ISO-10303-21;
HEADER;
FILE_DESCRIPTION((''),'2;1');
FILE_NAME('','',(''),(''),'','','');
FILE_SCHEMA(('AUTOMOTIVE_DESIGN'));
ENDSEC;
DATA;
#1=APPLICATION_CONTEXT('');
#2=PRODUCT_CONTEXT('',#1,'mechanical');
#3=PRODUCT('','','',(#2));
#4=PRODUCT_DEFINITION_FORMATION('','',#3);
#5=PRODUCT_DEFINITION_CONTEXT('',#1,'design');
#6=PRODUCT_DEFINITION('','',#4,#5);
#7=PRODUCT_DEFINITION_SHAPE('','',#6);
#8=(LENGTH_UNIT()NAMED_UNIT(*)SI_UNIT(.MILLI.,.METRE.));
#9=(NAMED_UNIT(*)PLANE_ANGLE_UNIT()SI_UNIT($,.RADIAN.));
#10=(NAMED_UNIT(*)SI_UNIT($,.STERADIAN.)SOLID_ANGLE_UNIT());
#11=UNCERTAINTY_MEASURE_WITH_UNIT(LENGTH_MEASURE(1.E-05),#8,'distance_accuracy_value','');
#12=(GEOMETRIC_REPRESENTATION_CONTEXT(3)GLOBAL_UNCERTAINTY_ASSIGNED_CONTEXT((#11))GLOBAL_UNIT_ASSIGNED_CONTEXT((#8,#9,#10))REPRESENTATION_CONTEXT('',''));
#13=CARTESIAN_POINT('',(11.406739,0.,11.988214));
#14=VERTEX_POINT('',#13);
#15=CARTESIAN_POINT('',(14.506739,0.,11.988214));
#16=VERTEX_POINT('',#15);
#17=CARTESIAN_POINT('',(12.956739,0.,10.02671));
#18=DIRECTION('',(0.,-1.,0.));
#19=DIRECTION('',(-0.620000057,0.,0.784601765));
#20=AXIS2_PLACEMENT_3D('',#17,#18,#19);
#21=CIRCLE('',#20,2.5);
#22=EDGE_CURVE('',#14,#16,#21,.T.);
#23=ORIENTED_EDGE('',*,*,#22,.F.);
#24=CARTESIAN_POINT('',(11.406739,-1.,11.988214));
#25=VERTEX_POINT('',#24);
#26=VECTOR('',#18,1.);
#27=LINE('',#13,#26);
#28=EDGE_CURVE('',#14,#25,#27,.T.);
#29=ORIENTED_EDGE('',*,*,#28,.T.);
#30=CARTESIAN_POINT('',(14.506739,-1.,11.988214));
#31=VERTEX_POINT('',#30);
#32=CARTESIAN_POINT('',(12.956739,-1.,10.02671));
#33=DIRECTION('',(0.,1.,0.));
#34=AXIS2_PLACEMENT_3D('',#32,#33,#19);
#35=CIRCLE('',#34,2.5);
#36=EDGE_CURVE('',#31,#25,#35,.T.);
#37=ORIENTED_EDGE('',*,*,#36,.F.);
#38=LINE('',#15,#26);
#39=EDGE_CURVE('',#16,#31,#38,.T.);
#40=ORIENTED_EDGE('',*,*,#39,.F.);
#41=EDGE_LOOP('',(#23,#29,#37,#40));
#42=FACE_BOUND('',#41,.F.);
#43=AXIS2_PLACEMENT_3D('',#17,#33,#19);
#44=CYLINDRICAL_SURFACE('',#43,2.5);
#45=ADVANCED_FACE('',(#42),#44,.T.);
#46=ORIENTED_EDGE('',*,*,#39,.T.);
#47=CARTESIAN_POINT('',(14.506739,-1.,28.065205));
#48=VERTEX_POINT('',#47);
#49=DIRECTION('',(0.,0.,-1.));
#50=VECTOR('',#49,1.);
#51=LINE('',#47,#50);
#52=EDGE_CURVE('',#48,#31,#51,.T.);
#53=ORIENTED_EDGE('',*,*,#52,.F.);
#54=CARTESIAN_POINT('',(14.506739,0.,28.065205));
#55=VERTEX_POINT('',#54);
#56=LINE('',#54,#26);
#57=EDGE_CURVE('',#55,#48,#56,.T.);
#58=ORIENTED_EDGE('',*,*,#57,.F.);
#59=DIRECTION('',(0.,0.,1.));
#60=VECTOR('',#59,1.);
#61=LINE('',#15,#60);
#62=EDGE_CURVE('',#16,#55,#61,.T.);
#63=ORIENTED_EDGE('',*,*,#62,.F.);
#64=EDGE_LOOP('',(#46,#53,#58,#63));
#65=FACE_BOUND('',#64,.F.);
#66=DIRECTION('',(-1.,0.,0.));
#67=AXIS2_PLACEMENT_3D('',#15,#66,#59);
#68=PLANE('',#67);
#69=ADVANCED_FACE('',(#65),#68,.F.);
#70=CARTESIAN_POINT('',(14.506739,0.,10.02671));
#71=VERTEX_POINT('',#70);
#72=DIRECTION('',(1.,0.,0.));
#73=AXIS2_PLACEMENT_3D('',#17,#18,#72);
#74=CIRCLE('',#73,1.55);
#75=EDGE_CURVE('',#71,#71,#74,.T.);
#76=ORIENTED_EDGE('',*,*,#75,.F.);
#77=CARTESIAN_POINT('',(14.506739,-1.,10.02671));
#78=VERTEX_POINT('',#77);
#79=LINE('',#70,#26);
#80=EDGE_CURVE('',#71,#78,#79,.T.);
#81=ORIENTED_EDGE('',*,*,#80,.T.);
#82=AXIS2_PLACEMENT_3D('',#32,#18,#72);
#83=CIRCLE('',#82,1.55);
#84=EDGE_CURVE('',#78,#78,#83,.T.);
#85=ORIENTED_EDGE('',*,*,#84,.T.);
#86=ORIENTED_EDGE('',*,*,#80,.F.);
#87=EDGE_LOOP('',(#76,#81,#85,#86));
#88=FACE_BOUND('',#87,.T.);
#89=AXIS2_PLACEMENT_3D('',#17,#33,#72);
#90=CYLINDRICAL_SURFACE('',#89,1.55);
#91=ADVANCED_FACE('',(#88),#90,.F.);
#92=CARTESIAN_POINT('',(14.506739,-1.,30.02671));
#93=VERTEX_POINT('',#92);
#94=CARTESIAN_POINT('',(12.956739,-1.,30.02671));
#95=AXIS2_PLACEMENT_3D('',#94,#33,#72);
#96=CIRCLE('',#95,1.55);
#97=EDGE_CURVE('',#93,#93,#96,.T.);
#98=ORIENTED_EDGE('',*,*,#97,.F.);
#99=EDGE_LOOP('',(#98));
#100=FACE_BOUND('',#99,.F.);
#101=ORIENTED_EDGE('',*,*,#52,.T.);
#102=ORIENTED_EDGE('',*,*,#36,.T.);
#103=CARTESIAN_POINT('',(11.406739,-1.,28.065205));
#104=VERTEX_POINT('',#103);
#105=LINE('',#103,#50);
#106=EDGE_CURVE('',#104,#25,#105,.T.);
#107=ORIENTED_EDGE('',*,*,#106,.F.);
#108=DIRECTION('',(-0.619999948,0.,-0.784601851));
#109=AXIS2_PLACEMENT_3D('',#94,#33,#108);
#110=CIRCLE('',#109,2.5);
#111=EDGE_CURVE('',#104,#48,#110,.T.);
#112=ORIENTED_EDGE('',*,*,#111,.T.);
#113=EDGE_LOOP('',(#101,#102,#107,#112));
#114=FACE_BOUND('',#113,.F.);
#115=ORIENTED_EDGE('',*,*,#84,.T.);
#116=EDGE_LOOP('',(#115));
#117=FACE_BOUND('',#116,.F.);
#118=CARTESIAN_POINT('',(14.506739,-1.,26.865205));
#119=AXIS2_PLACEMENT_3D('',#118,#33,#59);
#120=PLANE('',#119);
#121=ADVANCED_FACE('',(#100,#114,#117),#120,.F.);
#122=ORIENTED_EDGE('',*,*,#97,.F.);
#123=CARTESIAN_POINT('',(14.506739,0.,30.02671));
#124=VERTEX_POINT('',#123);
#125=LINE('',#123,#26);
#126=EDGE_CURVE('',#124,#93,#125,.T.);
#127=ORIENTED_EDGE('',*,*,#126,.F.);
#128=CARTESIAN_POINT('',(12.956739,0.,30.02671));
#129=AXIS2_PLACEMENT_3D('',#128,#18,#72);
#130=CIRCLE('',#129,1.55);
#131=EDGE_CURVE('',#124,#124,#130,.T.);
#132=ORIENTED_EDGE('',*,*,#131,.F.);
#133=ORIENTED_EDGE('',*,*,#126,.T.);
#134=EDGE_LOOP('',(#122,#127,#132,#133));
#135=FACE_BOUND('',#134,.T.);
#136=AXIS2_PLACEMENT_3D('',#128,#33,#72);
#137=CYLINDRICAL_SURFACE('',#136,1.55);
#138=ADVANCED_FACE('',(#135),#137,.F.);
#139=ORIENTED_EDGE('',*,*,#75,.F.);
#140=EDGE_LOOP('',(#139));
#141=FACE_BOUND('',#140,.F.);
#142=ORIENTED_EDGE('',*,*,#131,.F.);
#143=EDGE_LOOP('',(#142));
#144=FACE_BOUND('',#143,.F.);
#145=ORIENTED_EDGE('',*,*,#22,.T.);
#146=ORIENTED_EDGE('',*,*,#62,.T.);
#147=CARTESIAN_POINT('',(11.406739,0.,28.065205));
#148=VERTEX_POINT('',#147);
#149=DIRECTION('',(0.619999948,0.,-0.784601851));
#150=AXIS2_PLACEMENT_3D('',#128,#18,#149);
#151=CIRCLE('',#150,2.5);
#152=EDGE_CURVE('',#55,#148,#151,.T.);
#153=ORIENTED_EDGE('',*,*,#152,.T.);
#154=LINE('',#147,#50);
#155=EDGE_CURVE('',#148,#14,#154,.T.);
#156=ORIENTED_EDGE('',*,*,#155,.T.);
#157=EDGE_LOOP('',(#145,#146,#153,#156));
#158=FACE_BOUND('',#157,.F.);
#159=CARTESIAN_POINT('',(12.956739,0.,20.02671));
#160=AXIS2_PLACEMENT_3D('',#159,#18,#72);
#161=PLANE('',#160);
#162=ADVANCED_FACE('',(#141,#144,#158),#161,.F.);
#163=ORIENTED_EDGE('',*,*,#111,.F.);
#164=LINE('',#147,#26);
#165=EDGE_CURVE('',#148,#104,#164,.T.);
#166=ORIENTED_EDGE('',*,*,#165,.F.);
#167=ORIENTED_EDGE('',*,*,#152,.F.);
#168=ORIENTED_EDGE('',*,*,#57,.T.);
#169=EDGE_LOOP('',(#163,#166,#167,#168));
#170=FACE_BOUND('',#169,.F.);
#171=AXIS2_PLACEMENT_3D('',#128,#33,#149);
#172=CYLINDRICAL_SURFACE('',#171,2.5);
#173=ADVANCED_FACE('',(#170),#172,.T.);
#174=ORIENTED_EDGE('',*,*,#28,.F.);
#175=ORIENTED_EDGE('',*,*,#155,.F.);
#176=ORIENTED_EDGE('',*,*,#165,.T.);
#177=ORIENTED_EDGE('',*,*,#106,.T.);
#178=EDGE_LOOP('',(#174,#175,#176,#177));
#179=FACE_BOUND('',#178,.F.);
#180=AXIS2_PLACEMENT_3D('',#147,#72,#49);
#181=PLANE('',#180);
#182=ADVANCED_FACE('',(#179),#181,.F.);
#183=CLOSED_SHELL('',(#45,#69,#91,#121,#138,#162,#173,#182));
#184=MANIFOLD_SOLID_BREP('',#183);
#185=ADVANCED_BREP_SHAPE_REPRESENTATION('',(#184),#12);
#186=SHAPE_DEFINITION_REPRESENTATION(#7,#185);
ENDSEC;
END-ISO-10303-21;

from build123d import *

# Parameters (mm, degrees)
F0_R          = 1.55
F1_DEPTH      = 4.5
F2_W          = 2.5
F2_H          = 6.339147
F3_DEPTH      = 4.051
F3_DEPTH_BACK = 0.951
F4_W          = 15.761445
F4_H          = 34.727139
F4_R          = 1.55
F5_DEPTH      = 3.5


with BuildPart() as f1:
    # F0 (on Front) → F1 (new body)
    with BuildSketch(Plane.XZ):
        with BuildLine():
            Line((14.506739, 11.988214), (14.506739, 28.065205))
            ThreePointArc((14.506739, 28.065205), (12.956739, 32.52671), (11.406739, 28.065205))
            Line((11.406739, 28.065205), (11.406739, 11.988214))
            ThreePointArc((11.406739, 11.988214), (12.956739, 7.52671), (14.506739, 11.988214))
        make_face()
        with Locations((12.956739, 10.02671)):
            Circle(F0_R, mode=Mode.SUBTRACT)
        with Locations((12.956739, 30.02671)):
            Circle(F0_R, mode=Mode.SUBTRACT)
    extrude(amount=F1_DEPTH)

    # F2 (on face) → F3 (cut, two sides)
    with BuildSketch(Plane.YZ.offset(14.506739)) as f3_sk:
        with Locations((-2.25, 30.034779)):
            Rectangle(F2_W, F2_H)
    extrude(amount=-F3_DEPTH, mode=Mode.SUBTRACT)
    extrude(f3_sk.sketch, amount=-F3_DEPTH_BACK, mode=Mode.SUBTRACT)

    # F4 (on face) → F5 (cut)
    with BuildSketch(Plane.XZ.offset(4.5)):
        with Locations((14.291149, 18.705026)):
            Rectangle(F4_W, F4_H)
        with BuildLine():
            ThreePointArc((14.506739, 11.988214), (12.956739, 7.52671), (11.406739, 11.988214))
            Line((11.406739, 11.988214), (11.406739, 28.065205))
            ThreePointArc((11.406739, 28.065205), (12.956739, 32.52671), (14.506739, 28.065205))
            Line((14.506739, 28.065205), (14.506739, 11.988214))
        make_face(mode=Mode.SUBTRACT)
        with BuildLine():
            Line((11.406739, 28.065205), (11.406739, 11.988214))
            ThreePointArc((11.406739, 11.988214), (12.956739, 7.52671), (14.506739, 11.988214))
            Line((14.506739, 11.988214), (14.506739, 28.065205))
            ThreePointArc((14.506739, 28.065205), (12.956739, 32.52671), (11.406739, 28.065205))
        make_face()
        with Locations((12.956739, 10.02671)):
            Circle(F4_R, mode=Mode.SUBTRACT)
        with Locations((12.956739, 30.02671)):
            Circle(F4_R, mode=Mode.SUBTRACT)
    extrude(amount=-F5_DEPTH, mode=Mode.SUBTRACT)


solid = f1.part
